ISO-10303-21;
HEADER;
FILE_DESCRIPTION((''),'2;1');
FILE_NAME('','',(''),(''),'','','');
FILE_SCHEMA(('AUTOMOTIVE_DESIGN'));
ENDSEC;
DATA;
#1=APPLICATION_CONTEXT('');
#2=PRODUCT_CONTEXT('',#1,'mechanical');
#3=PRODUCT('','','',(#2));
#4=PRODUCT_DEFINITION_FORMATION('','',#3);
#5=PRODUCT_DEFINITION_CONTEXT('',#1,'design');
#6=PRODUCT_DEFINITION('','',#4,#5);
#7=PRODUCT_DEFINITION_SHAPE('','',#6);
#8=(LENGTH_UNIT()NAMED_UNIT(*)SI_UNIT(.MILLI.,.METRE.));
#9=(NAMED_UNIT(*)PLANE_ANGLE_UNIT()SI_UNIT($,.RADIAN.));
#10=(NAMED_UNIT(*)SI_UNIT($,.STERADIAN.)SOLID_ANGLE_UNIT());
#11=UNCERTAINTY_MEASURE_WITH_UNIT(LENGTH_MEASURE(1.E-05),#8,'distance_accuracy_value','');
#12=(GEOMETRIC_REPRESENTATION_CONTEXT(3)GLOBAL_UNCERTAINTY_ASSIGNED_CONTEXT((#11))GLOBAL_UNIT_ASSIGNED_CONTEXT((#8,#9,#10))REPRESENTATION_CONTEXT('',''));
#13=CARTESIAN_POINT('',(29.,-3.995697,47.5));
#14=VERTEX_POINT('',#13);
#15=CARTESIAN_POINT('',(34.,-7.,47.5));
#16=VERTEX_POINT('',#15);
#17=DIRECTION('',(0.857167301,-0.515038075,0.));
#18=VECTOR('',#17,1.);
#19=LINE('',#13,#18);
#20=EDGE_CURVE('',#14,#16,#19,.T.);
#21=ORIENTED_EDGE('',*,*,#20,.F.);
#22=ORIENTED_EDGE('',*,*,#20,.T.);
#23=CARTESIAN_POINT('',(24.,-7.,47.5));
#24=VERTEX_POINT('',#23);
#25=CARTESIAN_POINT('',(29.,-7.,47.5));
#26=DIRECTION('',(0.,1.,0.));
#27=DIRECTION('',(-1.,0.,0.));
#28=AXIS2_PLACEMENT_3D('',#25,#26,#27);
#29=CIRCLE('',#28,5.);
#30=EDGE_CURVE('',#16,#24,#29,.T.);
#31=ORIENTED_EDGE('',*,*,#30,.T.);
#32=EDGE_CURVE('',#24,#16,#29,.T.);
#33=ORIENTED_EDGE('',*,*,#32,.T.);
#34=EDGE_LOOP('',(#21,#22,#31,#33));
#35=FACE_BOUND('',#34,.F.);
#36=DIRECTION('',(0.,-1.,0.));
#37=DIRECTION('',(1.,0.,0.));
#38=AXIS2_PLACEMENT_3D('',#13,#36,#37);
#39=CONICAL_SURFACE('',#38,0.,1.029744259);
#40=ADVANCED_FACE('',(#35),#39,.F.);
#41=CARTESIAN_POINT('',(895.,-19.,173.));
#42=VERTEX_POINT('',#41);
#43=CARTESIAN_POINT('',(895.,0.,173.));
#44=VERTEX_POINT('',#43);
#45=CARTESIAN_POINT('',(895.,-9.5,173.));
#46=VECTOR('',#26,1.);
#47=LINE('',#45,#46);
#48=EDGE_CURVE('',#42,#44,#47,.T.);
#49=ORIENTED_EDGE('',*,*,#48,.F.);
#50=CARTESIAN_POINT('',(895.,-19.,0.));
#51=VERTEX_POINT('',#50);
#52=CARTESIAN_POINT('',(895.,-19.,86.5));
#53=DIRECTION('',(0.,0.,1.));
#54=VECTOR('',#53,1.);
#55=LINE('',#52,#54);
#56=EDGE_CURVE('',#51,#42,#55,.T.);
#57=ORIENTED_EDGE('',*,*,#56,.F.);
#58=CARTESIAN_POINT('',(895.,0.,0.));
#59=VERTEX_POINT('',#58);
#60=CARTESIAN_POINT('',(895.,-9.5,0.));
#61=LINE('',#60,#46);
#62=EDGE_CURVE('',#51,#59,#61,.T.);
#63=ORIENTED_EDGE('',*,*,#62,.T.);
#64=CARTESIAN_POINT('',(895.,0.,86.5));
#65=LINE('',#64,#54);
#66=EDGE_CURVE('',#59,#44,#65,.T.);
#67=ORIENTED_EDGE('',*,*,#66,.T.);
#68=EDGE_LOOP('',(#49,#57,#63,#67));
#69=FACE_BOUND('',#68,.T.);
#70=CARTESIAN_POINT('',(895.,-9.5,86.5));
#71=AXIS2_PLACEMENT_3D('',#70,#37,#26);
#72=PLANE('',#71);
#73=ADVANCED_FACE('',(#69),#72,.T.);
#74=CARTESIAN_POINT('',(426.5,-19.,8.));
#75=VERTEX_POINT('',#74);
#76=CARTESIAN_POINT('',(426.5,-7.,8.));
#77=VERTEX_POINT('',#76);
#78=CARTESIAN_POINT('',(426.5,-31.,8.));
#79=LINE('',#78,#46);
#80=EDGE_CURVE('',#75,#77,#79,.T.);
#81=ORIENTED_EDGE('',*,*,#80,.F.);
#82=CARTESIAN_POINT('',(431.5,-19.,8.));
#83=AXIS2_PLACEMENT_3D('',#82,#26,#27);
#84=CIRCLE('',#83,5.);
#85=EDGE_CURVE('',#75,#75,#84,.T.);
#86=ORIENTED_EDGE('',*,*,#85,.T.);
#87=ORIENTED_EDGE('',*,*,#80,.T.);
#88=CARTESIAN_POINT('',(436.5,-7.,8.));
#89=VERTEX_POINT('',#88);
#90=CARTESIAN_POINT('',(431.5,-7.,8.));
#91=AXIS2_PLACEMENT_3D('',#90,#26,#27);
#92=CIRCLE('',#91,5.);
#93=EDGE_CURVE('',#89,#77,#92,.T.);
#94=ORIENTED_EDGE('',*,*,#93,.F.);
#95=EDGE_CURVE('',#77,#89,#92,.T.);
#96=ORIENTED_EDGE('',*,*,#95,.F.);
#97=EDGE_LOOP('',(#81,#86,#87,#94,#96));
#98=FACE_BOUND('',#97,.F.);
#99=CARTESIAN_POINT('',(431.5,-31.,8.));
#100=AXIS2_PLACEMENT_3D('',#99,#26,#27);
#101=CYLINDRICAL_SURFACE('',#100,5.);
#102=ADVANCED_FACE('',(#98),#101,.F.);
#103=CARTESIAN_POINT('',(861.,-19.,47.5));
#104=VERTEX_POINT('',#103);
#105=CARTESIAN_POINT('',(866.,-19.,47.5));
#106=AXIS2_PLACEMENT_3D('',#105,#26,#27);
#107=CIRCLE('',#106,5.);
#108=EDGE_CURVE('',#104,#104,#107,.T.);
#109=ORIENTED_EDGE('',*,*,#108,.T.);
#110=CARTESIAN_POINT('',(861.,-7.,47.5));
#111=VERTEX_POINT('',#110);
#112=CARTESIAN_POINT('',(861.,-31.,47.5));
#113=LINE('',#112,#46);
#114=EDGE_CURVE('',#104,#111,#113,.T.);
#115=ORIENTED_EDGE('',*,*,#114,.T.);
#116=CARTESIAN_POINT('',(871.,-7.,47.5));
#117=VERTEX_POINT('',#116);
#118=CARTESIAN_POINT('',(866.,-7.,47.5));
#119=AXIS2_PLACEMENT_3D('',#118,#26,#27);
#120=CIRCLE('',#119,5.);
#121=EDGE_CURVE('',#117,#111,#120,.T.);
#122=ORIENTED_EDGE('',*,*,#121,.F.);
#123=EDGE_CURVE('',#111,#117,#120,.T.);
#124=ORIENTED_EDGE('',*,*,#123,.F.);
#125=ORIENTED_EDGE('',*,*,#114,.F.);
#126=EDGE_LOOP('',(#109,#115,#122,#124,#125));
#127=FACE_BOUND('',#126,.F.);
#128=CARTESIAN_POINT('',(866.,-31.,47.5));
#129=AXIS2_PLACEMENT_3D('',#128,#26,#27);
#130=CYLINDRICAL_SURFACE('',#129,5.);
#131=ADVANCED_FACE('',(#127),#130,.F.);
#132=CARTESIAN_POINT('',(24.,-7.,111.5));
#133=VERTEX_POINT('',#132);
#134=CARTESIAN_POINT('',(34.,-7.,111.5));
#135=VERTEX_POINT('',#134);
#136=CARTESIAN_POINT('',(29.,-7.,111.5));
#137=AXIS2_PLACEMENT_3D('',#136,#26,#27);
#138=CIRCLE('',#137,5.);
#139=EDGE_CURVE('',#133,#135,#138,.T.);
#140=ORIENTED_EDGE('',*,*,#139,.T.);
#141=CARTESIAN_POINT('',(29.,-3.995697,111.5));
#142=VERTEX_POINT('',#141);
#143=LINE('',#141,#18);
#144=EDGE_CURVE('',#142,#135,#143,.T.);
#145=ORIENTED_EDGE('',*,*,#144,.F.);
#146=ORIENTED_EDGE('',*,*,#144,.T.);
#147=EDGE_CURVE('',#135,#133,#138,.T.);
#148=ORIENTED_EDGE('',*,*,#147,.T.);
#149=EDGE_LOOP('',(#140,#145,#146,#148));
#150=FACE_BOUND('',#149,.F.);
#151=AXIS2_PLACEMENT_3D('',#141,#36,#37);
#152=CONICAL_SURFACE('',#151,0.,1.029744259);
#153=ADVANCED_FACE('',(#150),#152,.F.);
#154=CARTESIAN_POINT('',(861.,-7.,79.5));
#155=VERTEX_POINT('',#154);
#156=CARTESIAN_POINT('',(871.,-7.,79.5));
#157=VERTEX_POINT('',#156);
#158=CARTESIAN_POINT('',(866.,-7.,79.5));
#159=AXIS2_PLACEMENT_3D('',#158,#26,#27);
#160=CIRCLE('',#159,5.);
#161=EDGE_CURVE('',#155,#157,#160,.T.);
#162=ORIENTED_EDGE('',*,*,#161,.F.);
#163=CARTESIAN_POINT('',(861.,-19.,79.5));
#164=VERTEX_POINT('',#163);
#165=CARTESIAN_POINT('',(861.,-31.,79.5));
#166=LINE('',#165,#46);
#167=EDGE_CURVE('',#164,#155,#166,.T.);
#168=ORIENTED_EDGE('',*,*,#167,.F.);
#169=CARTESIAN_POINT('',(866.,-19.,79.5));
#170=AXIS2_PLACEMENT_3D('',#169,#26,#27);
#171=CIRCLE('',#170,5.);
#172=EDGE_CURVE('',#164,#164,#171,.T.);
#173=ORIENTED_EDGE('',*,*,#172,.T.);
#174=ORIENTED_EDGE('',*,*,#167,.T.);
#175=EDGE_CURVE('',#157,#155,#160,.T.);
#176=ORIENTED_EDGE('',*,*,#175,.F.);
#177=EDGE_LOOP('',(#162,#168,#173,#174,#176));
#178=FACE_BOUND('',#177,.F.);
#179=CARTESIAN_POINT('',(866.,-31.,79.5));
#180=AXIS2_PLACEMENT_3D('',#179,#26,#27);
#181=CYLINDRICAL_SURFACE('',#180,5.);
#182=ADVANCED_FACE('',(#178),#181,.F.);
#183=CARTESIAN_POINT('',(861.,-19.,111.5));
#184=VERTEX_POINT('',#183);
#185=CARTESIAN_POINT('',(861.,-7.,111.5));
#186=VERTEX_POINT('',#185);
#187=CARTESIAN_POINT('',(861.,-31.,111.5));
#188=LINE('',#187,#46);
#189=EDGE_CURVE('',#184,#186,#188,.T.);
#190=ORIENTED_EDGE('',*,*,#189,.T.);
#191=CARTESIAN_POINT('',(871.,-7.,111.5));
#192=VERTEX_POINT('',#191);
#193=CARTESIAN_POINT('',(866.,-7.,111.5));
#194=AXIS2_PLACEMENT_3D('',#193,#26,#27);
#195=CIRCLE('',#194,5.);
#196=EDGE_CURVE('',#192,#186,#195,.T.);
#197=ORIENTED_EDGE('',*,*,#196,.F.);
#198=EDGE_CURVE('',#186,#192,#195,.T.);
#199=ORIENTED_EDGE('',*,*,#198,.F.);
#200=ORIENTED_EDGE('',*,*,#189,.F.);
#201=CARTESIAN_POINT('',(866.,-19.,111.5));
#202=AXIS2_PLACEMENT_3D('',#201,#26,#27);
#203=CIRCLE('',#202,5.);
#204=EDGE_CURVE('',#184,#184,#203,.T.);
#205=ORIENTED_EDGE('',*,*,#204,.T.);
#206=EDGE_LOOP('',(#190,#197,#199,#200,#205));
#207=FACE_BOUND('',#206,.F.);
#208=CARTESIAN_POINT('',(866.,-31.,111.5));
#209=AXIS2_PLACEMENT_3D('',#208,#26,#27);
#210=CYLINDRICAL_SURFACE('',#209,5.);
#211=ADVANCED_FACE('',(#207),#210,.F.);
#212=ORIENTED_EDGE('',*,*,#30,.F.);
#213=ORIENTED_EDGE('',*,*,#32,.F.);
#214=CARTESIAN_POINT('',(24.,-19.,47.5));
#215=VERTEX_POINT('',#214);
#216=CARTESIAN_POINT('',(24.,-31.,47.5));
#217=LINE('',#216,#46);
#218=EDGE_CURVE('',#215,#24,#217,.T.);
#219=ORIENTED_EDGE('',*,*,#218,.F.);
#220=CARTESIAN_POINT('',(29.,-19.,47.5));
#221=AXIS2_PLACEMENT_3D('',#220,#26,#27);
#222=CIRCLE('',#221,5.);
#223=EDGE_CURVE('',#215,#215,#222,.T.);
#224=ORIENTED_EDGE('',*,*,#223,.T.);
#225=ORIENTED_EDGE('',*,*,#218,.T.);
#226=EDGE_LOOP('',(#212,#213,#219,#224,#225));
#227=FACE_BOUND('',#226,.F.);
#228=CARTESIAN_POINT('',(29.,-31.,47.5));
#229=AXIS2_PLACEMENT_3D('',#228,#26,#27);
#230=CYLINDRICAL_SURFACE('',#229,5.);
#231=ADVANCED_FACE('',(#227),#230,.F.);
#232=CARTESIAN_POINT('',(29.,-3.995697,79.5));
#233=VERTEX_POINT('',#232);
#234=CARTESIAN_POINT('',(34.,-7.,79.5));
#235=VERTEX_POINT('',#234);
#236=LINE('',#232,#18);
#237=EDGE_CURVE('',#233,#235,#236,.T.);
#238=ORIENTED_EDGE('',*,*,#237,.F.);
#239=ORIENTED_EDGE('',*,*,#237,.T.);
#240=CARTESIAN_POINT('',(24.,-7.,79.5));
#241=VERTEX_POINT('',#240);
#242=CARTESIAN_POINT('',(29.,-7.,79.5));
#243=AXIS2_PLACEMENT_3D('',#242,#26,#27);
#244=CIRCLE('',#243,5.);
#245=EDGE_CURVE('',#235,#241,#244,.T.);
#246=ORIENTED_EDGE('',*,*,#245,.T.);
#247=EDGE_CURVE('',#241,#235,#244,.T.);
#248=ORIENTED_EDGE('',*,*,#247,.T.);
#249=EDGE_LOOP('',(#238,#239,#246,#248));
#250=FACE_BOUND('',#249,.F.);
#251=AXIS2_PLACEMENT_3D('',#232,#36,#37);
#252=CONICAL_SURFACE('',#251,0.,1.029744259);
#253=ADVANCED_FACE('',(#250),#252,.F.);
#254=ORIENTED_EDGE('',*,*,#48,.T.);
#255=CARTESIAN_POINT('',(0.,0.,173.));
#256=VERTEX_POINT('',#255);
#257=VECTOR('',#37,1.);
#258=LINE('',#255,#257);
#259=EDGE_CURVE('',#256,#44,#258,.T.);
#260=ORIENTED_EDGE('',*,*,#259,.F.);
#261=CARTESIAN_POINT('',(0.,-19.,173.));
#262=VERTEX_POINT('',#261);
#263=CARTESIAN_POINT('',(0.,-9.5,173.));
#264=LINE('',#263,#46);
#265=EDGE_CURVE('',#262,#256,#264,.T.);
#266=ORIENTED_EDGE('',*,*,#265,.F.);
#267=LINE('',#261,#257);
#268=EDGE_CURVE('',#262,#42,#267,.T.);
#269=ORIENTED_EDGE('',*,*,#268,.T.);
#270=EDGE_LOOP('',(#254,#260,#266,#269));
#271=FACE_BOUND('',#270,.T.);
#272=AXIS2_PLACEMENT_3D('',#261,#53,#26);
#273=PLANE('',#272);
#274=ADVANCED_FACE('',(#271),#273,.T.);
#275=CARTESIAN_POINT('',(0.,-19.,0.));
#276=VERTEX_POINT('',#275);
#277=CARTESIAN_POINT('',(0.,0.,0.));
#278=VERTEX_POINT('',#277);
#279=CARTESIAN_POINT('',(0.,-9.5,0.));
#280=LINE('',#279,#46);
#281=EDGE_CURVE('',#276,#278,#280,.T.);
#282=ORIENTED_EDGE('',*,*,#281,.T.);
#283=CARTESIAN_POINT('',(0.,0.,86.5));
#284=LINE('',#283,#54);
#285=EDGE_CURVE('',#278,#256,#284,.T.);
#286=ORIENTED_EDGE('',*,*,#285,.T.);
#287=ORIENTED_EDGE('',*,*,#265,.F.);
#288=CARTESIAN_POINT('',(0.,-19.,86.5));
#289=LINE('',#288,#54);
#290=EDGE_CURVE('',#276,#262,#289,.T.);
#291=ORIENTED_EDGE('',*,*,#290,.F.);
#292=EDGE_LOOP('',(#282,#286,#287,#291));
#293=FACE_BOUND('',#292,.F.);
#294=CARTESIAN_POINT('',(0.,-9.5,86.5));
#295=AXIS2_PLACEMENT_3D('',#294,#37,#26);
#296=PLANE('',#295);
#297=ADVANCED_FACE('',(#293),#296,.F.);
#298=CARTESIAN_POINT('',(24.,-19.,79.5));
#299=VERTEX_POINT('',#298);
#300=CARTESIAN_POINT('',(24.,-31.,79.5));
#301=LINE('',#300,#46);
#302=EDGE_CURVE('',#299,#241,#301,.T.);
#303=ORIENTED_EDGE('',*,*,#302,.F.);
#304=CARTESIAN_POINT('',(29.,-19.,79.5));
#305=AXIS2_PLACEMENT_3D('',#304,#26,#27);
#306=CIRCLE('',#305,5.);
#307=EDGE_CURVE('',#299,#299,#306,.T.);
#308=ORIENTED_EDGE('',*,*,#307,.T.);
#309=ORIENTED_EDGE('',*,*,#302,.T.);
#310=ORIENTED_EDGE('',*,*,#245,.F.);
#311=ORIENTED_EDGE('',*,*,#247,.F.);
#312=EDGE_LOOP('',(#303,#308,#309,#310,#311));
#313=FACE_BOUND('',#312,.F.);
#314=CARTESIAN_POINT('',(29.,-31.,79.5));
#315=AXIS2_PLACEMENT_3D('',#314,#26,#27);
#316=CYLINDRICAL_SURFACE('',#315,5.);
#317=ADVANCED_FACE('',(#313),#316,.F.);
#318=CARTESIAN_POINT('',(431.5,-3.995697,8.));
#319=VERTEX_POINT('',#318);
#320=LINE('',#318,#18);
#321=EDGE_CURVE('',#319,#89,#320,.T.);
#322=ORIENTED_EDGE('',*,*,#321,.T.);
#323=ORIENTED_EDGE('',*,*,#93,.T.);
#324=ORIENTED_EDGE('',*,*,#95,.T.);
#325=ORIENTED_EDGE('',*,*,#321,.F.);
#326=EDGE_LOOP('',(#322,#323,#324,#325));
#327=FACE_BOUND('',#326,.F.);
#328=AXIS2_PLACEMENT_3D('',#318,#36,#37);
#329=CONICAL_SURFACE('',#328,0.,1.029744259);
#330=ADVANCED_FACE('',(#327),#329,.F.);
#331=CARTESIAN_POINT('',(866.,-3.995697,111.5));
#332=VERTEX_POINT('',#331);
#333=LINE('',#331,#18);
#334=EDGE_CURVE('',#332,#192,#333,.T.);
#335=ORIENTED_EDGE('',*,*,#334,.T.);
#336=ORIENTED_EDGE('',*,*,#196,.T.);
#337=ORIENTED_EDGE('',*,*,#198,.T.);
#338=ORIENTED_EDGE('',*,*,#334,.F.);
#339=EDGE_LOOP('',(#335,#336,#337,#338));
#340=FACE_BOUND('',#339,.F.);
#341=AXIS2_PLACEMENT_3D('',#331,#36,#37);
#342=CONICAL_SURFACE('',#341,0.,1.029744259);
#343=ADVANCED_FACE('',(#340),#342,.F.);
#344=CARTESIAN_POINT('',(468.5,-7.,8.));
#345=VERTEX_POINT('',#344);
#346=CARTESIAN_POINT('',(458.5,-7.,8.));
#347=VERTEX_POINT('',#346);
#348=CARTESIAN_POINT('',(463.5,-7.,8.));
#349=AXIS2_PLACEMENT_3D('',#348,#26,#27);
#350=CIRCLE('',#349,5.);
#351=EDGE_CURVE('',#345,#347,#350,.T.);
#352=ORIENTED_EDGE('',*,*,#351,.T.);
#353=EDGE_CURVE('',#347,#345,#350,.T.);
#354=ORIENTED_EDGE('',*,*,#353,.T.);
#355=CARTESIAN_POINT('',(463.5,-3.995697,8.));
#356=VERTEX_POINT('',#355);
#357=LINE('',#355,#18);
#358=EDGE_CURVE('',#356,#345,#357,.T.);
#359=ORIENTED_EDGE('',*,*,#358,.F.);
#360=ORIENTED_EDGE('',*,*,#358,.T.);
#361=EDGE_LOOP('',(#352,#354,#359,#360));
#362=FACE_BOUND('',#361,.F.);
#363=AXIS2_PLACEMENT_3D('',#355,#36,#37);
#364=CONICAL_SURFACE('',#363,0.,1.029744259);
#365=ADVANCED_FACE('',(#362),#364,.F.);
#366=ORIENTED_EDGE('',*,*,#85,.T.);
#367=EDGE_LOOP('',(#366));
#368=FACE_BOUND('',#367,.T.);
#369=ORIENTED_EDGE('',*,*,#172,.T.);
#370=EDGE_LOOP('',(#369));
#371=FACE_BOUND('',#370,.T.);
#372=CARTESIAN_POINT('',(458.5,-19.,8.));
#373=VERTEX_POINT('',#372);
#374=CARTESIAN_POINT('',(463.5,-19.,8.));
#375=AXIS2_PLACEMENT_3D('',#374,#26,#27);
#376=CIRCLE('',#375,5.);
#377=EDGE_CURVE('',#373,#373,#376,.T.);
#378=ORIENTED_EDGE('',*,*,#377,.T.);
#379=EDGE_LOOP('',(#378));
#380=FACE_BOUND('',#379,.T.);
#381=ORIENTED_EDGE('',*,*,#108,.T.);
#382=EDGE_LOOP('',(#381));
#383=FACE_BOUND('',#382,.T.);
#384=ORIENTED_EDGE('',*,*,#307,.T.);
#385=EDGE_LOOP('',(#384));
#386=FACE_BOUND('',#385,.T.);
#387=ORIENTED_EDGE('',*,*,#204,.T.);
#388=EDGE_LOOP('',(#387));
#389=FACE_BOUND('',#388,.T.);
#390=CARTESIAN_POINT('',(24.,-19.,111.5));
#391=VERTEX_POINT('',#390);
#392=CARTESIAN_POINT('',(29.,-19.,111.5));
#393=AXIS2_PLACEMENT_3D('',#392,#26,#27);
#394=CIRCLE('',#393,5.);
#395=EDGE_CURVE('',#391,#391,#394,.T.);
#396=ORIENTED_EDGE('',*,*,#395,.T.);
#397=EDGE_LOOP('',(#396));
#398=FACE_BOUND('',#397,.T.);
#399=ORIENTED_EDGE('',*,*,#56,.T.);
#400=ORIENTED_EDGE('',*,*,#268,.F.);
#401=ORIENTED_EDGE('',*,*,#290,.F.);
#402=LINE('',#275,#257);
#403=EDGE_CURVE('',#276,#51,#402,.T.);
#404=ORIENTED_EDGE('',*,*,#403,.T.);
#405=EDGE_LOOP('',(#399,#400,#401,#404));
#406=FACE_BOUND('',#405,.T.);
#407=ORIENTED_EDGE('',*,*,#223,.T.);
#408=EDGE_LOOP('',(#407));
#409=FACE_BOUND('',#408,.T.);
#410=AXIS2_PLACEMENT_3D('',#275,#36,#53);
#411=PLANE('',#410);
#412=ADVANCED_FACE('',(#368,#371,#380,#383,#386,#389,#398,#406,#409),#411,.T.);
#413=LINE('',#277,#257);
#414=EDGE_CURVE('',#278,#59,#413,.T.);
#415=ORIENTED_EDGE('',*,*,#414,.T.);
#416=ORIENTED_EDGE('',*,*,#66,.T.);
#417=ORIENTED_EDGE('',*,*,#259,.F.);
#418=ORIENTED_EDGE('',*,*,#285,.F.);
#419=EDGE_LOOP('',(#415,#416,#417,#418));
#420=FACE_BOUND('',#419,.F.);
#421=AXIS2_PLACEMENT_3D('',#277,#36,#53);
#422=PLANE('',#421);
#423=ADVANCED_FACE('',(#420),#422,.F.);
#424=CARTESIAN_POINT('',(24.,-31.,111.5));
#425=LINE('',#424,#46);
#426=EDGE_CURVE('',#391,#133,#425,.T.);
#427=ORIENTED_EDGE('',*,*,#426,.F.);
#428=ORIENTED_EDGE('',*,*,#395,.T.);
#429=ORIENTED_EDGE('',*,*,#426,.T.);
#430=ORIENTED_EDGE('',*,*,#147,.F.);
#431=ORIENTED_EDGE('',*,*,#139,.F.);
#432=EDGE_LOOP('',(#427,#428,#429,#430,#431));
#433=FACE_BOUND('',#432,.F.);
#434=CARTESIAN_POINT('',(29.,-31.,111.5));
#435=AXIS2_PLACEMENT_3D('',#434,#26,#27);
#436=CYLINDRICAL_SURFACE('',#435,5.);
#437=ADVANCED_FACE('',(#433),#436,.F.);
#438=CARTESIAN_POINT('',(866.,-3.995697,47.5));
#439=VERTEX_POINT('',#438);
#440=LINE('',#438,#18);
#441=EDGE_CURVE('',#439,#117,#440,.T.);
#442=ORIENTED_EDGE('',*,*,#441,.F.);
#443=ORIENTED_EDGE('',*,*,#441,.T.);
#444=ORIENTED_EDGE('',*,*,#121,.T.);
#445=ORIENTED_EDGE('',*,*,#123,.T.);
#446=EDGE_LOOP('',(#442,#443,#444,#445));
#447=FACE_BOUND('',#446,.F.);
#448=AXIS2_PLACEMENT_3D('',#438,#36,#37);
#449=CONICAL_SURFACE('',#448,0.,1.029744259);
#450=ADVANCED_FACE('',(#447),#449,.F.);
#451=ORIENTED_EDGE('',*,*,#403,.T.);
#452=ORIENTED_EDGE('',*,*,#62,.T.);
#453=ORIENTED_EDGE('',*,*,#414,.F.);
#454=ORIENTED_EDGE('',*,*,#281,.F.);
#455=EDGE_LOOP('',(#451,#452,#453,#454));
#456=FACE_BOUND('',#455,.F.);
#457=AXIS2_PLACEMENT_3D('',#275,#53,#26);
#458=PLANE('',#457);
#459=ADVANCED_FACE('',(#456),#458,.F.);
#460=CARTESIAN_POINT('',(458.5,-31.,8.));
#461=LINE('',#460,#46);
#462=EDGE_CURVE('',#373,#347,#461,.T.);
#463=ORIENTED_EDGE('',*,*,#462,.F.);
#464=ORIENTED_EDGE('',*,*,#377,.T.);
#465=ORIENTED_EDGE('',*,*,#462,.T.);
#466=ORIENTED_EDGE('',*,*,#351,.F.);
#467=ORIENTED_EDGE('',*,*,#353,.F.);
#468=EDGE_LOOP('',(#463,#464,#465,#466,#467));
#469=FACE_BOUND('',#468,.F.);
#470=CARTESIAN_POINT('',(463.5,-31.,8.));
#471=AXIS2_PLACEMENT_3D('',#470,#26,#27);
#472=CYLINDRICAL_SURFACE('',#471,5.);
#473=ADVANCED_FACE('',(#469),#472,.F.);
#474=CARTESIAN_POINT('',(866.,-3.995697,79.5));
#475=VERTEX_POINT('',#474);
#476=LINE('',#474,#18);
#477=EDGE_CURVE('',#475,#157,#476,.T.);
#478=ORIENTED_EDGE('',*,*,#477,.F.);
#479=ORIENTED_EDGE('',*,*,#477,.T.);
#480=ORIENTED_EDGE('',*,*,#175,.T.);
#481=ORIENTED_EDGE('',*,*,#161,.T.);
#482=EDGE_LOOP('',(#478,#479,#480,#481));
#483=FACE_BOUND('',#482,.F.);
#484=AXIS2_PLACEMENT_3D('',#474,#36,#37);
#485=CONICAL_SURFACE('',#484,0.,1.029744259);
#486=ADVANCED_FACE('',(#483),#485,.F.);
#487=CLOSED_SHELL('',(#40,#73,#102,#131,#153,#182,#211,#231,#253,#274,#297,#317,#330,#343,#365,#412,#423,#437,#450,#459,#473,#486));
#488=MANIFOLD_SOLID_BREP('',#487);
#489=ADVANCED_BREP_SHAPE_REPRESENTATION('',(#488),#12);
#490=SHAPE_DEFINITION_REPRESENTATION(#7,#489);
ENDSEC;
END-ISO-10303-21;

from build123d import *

# Parameters (mm, degrees)
F0_W     = 19
F0_H     = 173
F1_DEPTH = 895
F3_D     = 10
F3_DEPTH = 12
F3_TIP   = 3.0043030951


with BuildPart() as f1:
    # F0 (on Right) → F1 (new body)
    with BuildSketch(Plane.YZ):
        with Locations((-9.5, 86.5)):
            Rectangle(F0_W, F0_H)
    extrude(amount=F1_DEPTH)

    # F3
    with Locations(Plane.XZ.offset(19)):
        with Locations((29, 111.5), (29, 79.5), (29, 47.5), (431.5, 8), (463.5, 8), (866, 47.5), (866, 79.5), (866, 111.5)):
            Hole(F3_D / 2, depth=F3_DEPTH)
            with Locations((0, 0, -(F3_DEPTH + F3_TIP / 2))):  # 118° drill point
                Cone(0, F3_D / 2, F3_TIP, mode=Mode.SUBTRACT)


solid = f1.part
